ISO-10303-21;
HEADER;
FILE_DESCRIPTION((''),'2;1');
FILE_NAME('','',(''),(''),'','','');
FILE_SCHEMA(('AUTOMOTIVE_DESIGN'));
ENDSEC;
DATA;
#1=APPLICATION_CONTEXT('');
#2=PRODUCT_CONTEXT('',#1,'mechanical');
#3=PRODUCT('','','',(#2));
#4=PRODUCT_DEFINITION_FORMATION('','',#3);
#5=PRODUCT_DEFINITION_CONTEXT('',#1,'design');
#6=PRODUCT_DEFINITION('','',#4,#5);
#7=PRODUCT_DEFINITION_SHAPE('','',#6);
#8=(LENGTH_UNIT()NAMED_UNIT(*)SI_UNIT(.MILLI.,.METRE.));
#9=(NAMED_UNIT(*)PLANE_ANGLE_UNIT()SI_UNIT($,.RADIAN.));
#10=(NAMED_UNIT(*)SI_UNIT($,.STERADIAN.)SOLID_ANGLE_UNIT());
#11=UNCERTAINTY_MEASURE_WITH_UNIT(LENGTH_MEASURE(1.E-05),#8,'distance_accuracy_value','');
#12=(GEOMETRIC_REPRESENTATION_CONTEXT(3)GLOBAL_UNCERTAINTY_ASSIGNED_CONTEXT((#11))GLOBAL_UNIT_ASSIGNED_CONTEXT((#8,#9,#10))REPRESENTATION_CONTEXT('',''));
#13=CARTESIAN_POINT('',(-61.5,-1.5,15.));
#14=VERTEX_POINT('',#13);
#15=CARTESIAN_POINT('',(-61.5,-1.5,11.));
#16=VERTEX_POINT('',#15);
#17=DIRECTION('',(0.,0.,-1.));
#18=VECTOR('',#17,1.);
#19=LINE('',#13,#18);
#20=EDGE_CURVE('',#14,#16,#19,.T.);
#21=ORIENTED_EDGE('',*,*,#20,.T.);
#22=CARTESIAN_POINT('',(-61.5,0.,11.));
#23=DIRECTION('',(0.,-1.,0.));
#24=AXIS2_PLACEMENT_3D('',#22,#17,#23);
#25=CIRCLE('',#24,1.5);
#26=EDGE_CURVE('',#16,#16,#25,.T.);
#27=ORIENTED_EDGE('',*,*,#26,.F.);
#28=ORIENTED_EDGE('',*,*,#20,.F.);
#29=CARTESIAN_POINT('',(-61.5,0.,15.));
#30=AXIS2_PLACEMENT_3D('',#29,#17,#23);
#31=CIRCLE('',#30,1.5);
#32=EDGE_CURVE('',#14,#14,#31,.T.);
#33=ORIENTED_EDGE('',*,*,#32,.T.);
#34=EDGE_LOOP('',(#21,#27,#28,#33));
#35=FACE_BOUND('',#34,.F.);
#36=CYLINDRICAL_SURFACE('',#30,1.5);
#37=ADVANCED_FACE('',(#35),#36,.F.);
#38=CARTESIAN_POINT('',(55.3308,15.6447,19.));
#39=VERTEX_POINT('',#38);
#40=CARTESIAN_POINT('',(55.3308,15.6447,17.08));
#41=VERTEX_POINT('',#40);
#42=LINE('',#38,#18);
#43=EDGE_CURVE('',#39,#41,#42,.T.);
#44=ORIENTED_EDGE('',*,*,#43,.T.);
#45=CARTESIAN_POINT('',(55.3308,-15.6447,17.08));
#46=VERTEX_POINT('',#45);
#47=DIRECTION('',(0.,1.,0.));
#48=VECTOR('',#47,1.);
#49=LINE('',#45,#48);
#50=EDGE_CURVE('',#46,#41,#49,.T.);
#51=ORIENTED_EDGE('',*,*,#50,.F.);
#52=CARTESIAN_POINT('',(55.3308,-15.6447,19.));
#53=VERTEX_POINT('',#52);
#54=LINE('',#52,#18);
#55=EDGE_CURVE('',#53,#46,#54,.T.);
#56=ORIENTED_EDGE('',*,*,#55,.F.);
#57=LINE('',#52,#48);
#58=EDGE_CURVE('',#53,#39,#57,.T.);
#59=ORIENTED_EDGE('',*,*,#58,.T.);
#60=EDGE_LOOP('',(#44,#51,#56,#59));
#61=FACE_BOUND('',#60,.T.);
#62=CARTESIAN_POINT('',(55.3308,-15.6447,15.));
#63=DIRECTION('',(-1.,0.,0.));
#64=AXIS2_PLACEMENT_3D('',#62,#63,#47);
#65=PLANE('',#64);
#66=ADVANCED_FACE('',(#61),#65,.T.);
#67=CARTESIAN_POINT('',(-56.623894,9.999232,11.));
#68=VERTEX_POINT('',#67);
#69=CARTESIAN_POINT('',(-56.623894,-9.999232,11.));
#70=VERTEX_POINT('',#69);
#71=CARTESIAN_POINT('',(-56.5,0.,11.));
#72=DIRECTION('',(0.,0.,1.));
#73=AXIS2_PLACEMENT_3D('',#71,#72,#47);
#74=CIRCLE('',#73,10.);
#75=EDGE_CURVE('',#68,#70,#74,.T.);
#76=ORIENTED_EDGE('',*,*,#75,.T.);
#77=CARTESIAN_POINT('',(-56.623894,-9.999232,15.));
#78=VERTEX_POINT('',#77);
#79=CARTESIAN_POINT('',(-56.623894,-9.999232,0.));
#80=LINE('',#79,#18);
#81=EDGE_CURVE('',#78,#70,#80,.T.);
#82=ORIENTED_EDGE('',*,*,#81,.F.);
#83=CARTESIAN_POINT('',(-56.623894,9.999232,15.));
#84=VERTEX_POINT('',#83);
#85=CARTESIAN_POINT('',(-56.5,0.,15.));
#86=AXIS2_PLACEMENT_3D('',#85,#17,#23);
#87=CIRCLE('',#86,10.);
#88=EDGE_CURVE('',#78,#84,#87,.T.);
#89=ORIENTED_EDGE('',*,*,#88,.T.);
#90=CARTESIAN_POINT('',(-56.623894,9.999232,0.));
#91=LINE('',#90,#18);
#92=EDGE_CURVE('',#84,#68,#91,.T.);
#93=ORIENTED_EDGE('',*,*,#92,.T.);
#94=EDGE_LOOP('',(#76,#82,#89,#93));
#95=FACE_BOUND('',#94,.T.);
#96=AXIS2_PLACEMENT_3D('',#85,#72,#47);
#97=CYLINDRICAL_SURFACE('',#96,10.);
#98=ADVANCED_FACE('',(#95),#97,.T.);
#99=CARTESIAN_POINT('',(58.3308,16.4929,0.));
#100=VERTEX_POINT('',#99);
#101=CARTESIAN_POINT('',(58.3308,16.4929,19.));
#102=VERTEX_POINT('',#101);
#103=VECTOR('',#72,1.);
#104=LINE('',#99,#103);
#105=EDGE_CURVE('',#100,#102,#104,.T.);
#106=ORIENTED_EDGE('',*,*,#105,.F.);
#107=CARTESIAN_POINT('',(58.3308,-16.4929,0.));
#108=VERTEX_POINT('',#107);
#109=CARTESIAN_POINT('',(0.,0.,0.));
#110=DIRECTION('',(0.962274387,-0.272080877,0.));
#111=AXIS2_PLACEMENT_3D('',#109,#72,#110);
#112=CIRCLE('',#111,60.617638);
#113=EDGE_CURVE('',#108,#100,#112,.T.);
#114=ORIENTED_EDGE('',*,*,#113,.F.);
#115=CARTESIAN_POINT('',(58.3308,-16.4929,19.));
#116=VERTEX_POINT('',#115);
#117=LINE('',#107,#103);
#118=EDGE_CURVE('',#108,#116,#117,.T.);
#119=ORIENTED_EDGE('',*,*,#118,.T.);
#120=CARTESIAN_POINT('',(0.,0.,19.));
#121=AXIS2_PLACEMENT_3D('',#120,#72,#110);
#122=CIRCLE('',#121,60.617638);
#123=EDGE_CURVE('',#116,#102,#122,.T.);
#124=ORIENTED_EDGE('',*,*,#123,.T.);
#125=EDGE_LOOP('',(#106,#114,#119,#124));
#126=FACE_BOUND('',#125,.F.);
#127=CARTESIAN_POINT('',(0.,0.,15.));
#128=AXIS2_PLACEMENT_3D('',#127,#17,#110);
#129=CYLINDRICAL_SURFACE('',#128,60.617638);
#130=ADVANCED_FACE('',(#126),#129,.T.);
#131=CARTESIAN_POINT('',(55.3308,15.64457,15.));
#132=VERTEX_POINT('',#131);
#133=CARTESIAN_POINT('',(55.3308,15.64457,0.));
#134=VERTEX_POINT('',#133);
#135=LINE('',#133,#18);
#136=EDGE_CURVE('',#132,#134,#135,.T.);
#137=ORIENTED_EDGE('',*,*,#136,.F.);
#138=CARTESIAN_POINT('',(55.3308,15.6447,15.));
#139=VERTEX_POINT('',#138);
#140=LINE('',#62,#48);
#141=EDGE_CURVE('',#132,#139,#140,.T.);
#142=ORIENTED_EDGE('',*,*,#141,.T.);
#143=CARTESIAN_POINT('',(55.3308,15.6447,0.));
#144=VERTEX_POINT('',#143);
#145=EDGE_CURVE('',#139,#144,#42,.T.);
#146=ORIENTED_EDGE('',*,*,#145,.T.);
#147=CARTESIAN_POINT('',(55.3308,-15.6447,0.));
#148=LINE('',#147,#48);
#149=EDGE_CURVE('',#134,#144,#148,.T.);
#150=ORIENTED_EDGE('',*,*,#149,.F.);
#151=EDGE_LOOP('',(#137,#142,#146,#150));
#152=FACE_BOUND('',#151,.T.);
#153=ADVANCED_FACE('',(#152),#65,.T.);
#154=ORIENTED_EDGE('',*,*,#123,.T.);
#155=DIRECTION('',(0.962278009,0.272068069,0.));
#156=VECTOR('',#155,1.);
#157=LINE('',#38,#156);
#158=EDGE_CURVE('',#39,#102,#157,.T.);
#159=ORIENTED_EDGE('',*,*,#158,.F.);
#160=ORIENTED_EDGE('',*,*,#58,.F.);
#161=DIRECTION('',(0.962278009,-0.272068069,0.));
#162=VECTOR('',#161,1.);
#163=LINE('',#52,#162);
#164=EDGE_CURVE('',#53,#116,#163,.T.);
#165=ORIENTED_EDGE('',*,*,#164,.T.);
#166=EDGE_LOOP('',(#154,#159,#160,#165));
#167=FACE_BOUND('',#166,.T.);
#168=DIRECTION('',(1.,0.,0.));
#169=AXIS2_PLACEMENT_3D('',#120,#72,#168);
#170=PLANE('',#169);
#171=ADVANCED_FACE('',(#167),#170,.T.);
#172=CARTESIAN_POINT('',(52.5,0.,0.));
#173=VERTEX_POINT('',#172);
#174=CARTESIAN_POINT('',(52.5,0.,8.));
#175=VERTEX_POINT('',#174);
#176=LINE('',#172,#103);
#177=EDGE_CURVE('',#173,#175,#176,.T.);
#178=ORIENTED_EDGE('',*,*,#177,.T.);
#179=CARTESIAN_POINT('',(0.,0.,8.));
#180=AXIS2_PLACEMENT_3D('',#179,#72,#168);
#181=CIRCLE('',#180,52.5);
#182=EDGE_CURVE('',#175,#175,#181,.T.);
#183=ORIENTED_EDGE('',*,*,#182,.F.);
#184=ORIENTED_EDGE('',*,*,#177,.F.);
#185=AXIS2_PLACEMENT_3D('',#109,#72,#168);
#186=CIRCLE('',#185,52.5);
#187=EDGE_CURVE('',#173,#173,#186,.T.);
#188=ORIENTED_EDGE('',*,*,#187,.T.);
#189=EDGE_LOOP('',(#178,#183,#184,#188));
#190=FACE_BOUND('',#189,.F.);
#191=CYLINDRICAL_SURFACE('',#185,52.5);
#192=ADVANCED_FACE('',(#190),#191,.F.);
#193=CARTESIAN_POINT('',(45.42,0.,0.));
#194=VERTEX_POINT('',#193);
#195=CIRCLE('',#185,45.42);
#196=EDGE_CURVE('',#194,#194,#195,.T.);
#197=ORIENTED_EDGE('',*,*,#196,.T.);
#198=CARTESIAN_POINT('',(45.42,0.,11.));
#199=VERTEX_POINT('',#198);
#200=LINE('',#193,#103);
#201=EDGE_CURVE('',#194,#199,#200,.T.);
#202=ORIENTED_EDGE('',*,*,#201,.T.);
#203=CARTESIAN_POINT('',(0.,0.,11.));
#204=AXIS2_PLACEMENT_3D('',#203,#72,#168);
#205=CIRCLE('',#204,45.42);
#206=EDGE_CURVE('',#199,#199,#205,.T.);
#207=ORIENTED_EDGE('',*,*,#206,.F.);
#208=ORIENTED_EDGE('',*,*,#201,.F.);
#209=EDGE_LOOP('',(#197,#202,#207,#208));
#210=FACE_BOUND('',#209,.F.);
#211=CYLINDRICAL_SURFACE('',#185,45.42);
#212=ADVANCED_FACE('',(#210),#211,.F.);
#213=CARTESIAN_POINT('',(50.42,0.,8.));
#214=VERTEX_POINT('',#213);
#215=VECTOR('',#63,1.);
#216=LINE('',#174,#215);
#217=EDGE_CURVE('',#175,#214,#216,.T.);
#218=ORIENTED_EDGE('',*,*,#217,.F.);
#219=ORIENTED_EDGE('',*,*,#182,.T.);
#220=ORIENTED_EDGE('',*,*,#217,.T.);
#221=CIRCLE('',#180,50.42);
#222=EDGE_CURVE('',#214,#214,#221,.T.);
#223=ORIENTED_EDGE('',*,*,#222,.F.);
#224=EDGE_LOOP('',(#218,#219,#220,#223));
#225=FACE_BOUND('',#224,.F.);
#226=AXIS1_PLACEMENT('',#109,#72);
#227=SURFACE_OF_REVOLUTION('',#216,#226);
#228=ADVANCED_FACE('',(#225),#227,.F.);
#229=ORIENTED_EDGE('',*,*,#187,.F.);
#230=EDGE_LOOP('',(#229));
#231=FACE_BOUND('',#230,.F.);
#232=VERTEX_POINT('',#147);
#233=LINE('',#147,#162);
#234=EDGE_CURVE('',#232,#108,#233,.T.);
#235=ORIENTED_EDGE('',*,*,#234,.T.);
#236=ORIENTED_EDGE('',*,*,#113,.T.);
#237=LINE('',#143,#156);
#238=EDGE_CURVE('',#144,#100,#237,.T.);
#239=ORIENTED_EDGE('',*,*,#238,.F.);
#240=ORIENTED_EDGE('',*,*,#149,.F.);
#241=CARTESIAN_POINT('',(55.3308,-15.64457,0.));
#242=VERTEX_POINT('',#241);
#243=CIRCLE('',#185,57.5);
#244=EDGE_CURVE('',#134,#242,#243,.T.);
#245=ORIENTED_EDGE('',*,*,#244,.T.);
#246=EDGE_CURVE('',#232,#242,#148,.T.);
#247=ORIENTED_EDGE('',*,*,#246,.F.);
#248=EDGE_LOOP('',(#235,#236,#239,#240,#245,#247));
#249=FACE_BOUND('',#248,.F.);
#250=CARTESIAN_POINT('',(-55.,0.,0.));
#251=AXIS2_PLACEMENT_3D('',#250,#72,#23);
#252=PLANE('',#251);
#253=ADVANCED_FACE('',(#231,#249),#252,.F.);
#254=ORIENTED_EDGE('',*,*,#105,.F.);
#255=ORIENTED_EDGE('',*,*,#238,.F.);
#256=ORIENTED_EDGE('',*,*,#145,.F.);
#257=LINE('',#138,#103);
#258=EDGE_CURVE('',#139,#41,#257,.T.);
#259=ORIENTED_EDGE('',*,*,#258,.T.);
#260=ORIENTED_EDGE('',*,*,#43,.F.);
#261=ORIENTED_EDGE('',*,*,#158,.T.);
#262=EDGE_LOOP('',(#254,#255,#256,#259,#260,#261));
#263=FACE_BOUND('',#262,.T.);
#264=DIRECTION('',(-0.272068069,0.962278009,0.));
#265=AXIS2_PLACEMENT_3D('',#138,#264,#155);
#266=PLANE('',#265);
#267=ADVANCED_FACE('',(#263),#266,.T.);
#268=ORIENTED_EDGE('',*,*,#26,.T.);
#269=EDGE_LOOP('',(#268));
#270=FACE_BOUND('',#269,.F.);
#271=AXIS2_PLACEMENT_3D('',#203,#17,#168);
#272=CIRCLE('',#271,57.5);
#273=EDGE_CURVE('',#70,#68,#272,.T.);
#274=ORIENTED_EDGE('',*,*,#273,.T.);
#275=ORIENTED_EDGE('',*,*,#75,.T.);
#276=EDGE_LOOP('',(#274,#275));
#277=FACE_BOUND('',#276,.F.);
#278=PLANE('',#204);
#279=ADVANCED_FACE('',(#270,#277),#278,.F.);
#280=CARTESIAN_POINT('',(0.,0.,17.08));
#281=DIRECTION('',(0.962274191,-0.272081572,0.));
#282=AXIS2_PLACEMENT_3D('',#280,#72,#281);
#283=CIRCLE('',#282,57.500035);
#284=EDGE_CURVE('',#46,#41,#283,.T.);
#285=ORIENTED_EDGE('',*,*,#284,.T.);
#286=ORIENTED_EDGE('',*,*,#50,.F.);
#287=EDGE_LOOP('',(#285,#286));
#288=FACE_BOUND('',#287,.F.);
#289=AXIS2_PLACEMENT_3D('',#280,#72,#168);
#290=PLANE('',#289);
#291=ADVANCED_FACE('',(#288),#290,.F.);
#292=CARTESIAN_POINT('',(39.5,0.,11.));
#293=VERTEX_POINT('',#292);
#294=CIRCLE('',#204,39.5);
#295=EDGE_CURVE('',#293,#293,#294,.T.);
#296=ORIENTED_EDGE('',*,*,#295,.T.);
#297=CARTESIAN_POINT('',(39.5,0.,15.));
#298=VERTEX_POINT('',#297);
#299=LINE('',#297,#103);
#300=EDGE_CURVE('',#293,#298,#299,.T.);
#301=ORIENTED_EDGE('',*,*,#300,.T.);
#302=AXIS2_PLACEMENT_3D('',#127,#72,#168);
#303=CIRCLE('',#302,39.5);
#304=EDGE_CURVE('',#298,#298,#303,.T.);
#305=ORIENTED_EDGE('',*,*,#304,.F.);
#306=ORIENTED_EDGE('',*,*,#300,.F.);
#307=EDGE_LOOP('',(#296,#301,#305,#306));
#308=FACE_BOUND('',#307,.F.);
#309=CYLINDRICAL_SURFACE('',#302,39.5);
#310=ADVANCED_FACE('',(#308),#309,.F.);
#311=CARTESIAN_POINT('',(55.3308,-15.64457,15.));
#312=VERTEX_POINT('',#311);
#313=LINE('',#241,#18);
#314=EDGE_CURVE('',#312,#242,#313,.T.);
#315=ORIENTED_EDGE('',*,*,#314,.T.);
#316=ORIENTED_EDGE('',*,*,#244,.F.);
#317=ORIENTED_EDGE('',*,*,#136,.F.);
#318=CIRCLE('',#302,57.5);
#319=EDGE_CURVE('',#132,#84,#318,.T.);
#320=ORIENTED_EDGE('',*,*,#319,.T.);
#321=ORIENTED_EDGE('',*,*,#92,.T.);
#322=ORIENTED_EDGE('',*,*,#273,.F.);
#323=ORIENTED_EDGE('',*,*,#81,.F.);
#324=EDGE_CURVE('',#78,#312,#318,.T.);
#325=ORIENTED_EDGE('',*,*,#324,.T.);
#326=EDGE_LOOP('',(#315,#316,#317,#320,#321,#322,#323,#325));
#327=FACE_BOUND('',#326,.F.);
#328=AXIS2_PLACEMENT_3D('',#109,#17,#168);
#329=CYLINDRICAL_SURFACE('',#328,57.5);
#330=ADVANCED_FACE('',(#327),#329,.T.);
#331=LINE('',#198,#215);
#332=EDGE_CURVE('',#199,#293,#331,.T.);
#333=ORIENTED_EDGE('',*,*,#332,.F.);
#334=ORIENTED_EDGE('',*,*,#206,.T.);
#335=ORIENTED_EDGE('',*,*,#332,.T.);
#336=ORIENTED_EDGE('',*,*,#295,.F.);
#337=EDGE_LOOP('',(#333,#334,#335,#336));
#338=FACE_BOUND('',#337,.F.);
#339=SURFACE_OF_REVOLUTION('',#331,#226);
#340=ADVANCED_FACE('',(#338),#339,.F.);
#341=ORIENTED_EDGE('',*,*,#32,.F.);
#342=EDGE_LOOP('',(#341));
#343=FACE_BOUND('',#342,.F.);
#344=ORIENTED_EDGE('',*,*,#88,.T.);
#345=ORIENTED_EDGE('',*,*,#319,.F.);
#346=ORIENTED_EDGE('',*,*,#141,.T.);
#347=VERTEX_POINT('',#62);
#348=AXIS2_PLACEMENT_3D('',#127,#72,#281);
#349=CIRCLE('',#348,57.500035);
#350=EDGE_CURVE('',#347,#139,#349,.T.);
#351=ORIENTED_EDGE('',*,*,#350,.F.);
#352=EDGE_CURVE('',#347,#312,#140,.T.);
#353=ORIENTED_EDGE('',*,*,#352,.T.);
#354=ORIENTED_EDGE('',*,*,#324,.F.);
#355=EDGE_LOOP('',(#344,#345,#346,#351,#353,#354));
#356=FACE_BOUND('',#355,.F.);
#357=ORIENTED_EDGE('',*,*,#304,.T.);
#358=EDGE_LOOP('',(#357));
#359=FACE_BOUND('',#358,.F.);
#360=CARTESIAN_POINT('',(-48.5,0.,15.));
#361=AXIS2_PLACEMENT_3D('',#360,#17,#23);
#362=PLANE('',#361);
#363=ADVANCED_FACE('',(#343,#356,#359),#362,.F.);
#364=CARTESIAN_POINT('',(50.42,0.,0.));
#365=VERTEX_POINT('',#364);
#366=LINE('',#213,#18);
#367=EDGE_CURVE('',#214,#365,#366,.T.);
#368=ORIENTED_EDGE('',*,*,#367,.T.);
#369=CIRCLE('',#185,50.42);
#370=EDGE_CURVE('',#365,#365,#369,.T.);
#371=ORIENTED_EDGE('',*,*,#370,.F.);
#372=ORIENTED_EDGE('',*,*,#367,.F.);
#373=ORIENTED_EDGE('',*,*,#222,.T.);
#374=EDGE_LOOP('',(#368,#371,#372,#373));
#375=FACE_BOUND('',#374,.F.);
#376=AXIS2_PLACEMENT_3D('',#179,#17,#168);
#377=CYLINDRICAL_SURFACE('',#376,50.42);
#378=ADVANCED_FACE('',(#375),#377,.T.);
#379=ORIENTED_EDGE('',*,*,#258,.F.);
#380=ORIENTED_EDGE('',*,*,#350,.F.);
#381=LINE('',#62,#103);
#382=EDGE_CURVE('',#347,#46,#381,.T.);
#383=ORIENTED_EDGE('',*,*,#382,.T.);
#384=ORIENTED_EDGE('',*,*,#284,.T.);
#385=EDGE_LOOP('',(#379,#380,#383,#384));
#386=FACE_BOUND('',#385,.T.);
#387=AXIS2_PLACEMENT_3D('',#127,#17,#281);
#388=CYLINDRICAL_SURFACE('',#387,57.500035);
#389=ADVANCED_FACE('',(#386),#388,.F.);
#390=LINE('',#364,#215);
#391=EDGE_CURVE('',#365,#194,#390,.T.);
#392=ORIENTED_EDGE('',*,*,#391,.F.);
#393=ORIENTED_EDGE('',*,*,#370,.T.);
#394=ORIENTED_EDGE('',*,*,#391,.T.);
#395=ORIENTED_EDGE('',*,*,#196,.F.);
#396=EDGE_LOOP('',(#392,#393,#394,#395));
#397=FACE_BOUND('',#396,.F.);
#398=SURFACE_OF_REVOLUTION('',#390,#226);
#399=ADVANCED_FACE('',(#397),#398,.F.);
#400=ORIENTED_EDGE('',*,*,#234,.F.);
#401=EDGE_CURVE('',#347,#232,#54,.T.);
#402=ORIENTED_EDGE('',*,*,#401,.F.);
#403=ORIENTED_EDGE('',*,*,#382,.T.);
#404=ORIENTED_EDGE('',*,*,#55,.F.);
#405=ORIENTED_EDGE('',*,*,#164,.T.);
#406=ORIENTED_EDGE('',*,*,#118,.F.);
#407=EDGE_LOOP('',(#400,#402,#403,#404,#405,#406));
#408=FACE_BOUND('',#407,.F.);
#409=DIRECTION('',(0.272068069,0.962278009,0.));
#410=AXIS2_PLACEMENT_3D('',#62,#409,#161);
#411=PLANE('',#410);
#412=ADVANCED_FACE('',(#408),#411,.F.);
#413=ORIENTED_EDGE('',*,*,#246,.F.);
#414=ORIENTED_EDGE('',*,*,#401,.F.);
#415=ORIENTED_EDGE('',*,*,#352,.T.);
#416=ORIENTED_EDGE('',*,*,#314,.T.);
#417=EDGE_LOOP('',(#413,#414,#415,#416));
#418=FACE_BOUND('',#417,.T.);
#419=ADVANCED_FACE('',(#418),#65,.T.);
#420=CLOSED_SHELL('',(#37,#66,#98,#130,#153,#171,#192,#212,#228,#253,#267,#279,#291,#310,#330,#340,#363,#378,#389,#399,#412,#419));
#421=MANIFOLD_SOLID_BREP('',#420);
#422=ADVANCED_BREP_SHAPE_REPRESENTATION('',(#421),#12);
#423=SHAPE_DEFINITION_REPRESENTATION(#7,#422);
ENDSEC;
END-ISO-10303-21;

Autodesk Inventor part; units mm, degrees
ref_plane "YZ Plane" through (0, 0, 0) normal (1, 0, 0) x (0, 1, 0)
ref_plane "XZ Plane" through (0, 0, 0) normal (0, 1, 0) x (-1, 0, 0)
ref_plane "XY Plane" through (0, 0, 0) normal (0, 0, 1) x (1, 0, 0)
sketch "Sketch1" plane through (0, 0, 0) normal (0, 0, 1) x (1, 0, 0)
  circle A0 centre (0, 0) radius 57.5
  dimension "d0" = 115
sketch "Sketch2" plane through (0, 0, 0) normal (1, 0, 0) x (0, 1, 0)
  line L0 (57.5, 0) -> (-57.5, 0) construction
  line L1 (-57.5, 0) -> (-57.5, 15)
  line L2 (-57.5, 15) -> (-39.5, 15)
  line L3 (-39.5, 15) -> (-39.5, 11)
  line L4 (-57.5, 0) -> (-52.5, 0)
  line L5 (-52.5, 0) -> (-52.5, 8)
  line L6 (-52.5, 8) -> (-50.42, 8)
  line L7 (-50.42, 8) -> (-50.42, 0)
  line L8 (-50.42, 0) -> (-45.42, 0)
  line L9 (-50.42, 0) -> (-45.42, 0) construction
  line L10 (-45.42, 0) -> (-45.42, 11)
  line L11 (-45.42, 11) -> (-39.5, 11)
  point P0 (0, 0)
  dimension "d1" = 15
  dimension "d3" = 4
  dimension "d4" = 90
  dimension "d5" = 5
  dimension "d6" = 8
  dimension "d7" = 2.08
  dimension "d8" = 5
  dimension "d9" = 0
  dimension "d10" = 90
  dimension "d15" = 13
sweep "Sweep1" add profiles "Sketch2" path "Sketch1"
sketch "Sketch3" plane through (0, 0, 15) normal (0, 0, 1) x (1, 0, 0)
  line L0 (56.5, 10) -> (-56.5, 10) construction
  line L1 (-56.5, 10) -> (-56.5, -10)
  line L2 (-56.5, -10) -> (56.5, -10) construction
  line L3 (56.5, -10) -> (56.5, 10)
  line L4 (56.5, 10) -> (-56.5, -10) construction
  arc A0 (-56.5, 10) -> (-56.5, -10) centre (-56.5, 0) ccw
  circle A1 centre (0, 0) radius 57.5 construction
  line L5 (-55.3308, 15.6447) -> (-55.3308, -15.6447)
  arc A2 (-55.3308, 15.6447) -> (-55.3308, -15.6447) centre (0, 0) ccw
  line L6 (0, 0) -> (-55.3308, -15.6447) construction
  line L7 (-55.3308, -15.6447) -> (-58.3308, -16.4929)
  line L8 (0, 0) -> (-55.3308, 15.6447) construction
  line L9 (-55.3308, 15.6447) -> (-58.3308, 16.4929)
  arc A3 (-58.3308, 16.4929) -> (-58.3308, -16.4929) centre (0, 0) ccw
  arc A4 (58.3308, -16.4929) -> (58.3308, 16.4929) centre (0, 0) ccw
  line L10 (55.3308, -15.6447) -> (58.3308, -16.4929)
  arc A5 (55.3308, -15.6447) -> (55.3308, 15.6447) centre (0, 0) ccw
  line L11 (55.3308, -15.6447) -> (55.3308, 15.6447)
  line L12 (55.3308, 15.6447) -> (58.3308, 16.4929)
  point P0 (-61.5, 0)
  dimension "d17" = 20
  dimension "d18" = 5
  dimension "d19" = 10
  dimension "d31" = 56.5
  dimension "d32" = 31.2894
  dimension "d33" = 3
  dimension "d34" = 3
  dimension "d37" = 360
extrude "Extrusion2" add sketch "Sketch3" against normal blind 4 contours L1 A0 A2 | A2 A0 A3 | A3 A0
hole "Hole1" at (-61.5, 0, 15) direction (0, 0, -1) diameter 3 end through all
extrude "Extrusion3" add sketch "Sketch3" along normal blind 4 and the other way blind 15 contours L10 A5 L12 A4 | L11 A5
extrude "Extrusion4" cut sketch "Sketch3" along normal blind 2.08 contours L11 A5
equation "\"d18\" = 0.5 * d19"
equation "\"d34\" = d33"
properties part number "Cap"
